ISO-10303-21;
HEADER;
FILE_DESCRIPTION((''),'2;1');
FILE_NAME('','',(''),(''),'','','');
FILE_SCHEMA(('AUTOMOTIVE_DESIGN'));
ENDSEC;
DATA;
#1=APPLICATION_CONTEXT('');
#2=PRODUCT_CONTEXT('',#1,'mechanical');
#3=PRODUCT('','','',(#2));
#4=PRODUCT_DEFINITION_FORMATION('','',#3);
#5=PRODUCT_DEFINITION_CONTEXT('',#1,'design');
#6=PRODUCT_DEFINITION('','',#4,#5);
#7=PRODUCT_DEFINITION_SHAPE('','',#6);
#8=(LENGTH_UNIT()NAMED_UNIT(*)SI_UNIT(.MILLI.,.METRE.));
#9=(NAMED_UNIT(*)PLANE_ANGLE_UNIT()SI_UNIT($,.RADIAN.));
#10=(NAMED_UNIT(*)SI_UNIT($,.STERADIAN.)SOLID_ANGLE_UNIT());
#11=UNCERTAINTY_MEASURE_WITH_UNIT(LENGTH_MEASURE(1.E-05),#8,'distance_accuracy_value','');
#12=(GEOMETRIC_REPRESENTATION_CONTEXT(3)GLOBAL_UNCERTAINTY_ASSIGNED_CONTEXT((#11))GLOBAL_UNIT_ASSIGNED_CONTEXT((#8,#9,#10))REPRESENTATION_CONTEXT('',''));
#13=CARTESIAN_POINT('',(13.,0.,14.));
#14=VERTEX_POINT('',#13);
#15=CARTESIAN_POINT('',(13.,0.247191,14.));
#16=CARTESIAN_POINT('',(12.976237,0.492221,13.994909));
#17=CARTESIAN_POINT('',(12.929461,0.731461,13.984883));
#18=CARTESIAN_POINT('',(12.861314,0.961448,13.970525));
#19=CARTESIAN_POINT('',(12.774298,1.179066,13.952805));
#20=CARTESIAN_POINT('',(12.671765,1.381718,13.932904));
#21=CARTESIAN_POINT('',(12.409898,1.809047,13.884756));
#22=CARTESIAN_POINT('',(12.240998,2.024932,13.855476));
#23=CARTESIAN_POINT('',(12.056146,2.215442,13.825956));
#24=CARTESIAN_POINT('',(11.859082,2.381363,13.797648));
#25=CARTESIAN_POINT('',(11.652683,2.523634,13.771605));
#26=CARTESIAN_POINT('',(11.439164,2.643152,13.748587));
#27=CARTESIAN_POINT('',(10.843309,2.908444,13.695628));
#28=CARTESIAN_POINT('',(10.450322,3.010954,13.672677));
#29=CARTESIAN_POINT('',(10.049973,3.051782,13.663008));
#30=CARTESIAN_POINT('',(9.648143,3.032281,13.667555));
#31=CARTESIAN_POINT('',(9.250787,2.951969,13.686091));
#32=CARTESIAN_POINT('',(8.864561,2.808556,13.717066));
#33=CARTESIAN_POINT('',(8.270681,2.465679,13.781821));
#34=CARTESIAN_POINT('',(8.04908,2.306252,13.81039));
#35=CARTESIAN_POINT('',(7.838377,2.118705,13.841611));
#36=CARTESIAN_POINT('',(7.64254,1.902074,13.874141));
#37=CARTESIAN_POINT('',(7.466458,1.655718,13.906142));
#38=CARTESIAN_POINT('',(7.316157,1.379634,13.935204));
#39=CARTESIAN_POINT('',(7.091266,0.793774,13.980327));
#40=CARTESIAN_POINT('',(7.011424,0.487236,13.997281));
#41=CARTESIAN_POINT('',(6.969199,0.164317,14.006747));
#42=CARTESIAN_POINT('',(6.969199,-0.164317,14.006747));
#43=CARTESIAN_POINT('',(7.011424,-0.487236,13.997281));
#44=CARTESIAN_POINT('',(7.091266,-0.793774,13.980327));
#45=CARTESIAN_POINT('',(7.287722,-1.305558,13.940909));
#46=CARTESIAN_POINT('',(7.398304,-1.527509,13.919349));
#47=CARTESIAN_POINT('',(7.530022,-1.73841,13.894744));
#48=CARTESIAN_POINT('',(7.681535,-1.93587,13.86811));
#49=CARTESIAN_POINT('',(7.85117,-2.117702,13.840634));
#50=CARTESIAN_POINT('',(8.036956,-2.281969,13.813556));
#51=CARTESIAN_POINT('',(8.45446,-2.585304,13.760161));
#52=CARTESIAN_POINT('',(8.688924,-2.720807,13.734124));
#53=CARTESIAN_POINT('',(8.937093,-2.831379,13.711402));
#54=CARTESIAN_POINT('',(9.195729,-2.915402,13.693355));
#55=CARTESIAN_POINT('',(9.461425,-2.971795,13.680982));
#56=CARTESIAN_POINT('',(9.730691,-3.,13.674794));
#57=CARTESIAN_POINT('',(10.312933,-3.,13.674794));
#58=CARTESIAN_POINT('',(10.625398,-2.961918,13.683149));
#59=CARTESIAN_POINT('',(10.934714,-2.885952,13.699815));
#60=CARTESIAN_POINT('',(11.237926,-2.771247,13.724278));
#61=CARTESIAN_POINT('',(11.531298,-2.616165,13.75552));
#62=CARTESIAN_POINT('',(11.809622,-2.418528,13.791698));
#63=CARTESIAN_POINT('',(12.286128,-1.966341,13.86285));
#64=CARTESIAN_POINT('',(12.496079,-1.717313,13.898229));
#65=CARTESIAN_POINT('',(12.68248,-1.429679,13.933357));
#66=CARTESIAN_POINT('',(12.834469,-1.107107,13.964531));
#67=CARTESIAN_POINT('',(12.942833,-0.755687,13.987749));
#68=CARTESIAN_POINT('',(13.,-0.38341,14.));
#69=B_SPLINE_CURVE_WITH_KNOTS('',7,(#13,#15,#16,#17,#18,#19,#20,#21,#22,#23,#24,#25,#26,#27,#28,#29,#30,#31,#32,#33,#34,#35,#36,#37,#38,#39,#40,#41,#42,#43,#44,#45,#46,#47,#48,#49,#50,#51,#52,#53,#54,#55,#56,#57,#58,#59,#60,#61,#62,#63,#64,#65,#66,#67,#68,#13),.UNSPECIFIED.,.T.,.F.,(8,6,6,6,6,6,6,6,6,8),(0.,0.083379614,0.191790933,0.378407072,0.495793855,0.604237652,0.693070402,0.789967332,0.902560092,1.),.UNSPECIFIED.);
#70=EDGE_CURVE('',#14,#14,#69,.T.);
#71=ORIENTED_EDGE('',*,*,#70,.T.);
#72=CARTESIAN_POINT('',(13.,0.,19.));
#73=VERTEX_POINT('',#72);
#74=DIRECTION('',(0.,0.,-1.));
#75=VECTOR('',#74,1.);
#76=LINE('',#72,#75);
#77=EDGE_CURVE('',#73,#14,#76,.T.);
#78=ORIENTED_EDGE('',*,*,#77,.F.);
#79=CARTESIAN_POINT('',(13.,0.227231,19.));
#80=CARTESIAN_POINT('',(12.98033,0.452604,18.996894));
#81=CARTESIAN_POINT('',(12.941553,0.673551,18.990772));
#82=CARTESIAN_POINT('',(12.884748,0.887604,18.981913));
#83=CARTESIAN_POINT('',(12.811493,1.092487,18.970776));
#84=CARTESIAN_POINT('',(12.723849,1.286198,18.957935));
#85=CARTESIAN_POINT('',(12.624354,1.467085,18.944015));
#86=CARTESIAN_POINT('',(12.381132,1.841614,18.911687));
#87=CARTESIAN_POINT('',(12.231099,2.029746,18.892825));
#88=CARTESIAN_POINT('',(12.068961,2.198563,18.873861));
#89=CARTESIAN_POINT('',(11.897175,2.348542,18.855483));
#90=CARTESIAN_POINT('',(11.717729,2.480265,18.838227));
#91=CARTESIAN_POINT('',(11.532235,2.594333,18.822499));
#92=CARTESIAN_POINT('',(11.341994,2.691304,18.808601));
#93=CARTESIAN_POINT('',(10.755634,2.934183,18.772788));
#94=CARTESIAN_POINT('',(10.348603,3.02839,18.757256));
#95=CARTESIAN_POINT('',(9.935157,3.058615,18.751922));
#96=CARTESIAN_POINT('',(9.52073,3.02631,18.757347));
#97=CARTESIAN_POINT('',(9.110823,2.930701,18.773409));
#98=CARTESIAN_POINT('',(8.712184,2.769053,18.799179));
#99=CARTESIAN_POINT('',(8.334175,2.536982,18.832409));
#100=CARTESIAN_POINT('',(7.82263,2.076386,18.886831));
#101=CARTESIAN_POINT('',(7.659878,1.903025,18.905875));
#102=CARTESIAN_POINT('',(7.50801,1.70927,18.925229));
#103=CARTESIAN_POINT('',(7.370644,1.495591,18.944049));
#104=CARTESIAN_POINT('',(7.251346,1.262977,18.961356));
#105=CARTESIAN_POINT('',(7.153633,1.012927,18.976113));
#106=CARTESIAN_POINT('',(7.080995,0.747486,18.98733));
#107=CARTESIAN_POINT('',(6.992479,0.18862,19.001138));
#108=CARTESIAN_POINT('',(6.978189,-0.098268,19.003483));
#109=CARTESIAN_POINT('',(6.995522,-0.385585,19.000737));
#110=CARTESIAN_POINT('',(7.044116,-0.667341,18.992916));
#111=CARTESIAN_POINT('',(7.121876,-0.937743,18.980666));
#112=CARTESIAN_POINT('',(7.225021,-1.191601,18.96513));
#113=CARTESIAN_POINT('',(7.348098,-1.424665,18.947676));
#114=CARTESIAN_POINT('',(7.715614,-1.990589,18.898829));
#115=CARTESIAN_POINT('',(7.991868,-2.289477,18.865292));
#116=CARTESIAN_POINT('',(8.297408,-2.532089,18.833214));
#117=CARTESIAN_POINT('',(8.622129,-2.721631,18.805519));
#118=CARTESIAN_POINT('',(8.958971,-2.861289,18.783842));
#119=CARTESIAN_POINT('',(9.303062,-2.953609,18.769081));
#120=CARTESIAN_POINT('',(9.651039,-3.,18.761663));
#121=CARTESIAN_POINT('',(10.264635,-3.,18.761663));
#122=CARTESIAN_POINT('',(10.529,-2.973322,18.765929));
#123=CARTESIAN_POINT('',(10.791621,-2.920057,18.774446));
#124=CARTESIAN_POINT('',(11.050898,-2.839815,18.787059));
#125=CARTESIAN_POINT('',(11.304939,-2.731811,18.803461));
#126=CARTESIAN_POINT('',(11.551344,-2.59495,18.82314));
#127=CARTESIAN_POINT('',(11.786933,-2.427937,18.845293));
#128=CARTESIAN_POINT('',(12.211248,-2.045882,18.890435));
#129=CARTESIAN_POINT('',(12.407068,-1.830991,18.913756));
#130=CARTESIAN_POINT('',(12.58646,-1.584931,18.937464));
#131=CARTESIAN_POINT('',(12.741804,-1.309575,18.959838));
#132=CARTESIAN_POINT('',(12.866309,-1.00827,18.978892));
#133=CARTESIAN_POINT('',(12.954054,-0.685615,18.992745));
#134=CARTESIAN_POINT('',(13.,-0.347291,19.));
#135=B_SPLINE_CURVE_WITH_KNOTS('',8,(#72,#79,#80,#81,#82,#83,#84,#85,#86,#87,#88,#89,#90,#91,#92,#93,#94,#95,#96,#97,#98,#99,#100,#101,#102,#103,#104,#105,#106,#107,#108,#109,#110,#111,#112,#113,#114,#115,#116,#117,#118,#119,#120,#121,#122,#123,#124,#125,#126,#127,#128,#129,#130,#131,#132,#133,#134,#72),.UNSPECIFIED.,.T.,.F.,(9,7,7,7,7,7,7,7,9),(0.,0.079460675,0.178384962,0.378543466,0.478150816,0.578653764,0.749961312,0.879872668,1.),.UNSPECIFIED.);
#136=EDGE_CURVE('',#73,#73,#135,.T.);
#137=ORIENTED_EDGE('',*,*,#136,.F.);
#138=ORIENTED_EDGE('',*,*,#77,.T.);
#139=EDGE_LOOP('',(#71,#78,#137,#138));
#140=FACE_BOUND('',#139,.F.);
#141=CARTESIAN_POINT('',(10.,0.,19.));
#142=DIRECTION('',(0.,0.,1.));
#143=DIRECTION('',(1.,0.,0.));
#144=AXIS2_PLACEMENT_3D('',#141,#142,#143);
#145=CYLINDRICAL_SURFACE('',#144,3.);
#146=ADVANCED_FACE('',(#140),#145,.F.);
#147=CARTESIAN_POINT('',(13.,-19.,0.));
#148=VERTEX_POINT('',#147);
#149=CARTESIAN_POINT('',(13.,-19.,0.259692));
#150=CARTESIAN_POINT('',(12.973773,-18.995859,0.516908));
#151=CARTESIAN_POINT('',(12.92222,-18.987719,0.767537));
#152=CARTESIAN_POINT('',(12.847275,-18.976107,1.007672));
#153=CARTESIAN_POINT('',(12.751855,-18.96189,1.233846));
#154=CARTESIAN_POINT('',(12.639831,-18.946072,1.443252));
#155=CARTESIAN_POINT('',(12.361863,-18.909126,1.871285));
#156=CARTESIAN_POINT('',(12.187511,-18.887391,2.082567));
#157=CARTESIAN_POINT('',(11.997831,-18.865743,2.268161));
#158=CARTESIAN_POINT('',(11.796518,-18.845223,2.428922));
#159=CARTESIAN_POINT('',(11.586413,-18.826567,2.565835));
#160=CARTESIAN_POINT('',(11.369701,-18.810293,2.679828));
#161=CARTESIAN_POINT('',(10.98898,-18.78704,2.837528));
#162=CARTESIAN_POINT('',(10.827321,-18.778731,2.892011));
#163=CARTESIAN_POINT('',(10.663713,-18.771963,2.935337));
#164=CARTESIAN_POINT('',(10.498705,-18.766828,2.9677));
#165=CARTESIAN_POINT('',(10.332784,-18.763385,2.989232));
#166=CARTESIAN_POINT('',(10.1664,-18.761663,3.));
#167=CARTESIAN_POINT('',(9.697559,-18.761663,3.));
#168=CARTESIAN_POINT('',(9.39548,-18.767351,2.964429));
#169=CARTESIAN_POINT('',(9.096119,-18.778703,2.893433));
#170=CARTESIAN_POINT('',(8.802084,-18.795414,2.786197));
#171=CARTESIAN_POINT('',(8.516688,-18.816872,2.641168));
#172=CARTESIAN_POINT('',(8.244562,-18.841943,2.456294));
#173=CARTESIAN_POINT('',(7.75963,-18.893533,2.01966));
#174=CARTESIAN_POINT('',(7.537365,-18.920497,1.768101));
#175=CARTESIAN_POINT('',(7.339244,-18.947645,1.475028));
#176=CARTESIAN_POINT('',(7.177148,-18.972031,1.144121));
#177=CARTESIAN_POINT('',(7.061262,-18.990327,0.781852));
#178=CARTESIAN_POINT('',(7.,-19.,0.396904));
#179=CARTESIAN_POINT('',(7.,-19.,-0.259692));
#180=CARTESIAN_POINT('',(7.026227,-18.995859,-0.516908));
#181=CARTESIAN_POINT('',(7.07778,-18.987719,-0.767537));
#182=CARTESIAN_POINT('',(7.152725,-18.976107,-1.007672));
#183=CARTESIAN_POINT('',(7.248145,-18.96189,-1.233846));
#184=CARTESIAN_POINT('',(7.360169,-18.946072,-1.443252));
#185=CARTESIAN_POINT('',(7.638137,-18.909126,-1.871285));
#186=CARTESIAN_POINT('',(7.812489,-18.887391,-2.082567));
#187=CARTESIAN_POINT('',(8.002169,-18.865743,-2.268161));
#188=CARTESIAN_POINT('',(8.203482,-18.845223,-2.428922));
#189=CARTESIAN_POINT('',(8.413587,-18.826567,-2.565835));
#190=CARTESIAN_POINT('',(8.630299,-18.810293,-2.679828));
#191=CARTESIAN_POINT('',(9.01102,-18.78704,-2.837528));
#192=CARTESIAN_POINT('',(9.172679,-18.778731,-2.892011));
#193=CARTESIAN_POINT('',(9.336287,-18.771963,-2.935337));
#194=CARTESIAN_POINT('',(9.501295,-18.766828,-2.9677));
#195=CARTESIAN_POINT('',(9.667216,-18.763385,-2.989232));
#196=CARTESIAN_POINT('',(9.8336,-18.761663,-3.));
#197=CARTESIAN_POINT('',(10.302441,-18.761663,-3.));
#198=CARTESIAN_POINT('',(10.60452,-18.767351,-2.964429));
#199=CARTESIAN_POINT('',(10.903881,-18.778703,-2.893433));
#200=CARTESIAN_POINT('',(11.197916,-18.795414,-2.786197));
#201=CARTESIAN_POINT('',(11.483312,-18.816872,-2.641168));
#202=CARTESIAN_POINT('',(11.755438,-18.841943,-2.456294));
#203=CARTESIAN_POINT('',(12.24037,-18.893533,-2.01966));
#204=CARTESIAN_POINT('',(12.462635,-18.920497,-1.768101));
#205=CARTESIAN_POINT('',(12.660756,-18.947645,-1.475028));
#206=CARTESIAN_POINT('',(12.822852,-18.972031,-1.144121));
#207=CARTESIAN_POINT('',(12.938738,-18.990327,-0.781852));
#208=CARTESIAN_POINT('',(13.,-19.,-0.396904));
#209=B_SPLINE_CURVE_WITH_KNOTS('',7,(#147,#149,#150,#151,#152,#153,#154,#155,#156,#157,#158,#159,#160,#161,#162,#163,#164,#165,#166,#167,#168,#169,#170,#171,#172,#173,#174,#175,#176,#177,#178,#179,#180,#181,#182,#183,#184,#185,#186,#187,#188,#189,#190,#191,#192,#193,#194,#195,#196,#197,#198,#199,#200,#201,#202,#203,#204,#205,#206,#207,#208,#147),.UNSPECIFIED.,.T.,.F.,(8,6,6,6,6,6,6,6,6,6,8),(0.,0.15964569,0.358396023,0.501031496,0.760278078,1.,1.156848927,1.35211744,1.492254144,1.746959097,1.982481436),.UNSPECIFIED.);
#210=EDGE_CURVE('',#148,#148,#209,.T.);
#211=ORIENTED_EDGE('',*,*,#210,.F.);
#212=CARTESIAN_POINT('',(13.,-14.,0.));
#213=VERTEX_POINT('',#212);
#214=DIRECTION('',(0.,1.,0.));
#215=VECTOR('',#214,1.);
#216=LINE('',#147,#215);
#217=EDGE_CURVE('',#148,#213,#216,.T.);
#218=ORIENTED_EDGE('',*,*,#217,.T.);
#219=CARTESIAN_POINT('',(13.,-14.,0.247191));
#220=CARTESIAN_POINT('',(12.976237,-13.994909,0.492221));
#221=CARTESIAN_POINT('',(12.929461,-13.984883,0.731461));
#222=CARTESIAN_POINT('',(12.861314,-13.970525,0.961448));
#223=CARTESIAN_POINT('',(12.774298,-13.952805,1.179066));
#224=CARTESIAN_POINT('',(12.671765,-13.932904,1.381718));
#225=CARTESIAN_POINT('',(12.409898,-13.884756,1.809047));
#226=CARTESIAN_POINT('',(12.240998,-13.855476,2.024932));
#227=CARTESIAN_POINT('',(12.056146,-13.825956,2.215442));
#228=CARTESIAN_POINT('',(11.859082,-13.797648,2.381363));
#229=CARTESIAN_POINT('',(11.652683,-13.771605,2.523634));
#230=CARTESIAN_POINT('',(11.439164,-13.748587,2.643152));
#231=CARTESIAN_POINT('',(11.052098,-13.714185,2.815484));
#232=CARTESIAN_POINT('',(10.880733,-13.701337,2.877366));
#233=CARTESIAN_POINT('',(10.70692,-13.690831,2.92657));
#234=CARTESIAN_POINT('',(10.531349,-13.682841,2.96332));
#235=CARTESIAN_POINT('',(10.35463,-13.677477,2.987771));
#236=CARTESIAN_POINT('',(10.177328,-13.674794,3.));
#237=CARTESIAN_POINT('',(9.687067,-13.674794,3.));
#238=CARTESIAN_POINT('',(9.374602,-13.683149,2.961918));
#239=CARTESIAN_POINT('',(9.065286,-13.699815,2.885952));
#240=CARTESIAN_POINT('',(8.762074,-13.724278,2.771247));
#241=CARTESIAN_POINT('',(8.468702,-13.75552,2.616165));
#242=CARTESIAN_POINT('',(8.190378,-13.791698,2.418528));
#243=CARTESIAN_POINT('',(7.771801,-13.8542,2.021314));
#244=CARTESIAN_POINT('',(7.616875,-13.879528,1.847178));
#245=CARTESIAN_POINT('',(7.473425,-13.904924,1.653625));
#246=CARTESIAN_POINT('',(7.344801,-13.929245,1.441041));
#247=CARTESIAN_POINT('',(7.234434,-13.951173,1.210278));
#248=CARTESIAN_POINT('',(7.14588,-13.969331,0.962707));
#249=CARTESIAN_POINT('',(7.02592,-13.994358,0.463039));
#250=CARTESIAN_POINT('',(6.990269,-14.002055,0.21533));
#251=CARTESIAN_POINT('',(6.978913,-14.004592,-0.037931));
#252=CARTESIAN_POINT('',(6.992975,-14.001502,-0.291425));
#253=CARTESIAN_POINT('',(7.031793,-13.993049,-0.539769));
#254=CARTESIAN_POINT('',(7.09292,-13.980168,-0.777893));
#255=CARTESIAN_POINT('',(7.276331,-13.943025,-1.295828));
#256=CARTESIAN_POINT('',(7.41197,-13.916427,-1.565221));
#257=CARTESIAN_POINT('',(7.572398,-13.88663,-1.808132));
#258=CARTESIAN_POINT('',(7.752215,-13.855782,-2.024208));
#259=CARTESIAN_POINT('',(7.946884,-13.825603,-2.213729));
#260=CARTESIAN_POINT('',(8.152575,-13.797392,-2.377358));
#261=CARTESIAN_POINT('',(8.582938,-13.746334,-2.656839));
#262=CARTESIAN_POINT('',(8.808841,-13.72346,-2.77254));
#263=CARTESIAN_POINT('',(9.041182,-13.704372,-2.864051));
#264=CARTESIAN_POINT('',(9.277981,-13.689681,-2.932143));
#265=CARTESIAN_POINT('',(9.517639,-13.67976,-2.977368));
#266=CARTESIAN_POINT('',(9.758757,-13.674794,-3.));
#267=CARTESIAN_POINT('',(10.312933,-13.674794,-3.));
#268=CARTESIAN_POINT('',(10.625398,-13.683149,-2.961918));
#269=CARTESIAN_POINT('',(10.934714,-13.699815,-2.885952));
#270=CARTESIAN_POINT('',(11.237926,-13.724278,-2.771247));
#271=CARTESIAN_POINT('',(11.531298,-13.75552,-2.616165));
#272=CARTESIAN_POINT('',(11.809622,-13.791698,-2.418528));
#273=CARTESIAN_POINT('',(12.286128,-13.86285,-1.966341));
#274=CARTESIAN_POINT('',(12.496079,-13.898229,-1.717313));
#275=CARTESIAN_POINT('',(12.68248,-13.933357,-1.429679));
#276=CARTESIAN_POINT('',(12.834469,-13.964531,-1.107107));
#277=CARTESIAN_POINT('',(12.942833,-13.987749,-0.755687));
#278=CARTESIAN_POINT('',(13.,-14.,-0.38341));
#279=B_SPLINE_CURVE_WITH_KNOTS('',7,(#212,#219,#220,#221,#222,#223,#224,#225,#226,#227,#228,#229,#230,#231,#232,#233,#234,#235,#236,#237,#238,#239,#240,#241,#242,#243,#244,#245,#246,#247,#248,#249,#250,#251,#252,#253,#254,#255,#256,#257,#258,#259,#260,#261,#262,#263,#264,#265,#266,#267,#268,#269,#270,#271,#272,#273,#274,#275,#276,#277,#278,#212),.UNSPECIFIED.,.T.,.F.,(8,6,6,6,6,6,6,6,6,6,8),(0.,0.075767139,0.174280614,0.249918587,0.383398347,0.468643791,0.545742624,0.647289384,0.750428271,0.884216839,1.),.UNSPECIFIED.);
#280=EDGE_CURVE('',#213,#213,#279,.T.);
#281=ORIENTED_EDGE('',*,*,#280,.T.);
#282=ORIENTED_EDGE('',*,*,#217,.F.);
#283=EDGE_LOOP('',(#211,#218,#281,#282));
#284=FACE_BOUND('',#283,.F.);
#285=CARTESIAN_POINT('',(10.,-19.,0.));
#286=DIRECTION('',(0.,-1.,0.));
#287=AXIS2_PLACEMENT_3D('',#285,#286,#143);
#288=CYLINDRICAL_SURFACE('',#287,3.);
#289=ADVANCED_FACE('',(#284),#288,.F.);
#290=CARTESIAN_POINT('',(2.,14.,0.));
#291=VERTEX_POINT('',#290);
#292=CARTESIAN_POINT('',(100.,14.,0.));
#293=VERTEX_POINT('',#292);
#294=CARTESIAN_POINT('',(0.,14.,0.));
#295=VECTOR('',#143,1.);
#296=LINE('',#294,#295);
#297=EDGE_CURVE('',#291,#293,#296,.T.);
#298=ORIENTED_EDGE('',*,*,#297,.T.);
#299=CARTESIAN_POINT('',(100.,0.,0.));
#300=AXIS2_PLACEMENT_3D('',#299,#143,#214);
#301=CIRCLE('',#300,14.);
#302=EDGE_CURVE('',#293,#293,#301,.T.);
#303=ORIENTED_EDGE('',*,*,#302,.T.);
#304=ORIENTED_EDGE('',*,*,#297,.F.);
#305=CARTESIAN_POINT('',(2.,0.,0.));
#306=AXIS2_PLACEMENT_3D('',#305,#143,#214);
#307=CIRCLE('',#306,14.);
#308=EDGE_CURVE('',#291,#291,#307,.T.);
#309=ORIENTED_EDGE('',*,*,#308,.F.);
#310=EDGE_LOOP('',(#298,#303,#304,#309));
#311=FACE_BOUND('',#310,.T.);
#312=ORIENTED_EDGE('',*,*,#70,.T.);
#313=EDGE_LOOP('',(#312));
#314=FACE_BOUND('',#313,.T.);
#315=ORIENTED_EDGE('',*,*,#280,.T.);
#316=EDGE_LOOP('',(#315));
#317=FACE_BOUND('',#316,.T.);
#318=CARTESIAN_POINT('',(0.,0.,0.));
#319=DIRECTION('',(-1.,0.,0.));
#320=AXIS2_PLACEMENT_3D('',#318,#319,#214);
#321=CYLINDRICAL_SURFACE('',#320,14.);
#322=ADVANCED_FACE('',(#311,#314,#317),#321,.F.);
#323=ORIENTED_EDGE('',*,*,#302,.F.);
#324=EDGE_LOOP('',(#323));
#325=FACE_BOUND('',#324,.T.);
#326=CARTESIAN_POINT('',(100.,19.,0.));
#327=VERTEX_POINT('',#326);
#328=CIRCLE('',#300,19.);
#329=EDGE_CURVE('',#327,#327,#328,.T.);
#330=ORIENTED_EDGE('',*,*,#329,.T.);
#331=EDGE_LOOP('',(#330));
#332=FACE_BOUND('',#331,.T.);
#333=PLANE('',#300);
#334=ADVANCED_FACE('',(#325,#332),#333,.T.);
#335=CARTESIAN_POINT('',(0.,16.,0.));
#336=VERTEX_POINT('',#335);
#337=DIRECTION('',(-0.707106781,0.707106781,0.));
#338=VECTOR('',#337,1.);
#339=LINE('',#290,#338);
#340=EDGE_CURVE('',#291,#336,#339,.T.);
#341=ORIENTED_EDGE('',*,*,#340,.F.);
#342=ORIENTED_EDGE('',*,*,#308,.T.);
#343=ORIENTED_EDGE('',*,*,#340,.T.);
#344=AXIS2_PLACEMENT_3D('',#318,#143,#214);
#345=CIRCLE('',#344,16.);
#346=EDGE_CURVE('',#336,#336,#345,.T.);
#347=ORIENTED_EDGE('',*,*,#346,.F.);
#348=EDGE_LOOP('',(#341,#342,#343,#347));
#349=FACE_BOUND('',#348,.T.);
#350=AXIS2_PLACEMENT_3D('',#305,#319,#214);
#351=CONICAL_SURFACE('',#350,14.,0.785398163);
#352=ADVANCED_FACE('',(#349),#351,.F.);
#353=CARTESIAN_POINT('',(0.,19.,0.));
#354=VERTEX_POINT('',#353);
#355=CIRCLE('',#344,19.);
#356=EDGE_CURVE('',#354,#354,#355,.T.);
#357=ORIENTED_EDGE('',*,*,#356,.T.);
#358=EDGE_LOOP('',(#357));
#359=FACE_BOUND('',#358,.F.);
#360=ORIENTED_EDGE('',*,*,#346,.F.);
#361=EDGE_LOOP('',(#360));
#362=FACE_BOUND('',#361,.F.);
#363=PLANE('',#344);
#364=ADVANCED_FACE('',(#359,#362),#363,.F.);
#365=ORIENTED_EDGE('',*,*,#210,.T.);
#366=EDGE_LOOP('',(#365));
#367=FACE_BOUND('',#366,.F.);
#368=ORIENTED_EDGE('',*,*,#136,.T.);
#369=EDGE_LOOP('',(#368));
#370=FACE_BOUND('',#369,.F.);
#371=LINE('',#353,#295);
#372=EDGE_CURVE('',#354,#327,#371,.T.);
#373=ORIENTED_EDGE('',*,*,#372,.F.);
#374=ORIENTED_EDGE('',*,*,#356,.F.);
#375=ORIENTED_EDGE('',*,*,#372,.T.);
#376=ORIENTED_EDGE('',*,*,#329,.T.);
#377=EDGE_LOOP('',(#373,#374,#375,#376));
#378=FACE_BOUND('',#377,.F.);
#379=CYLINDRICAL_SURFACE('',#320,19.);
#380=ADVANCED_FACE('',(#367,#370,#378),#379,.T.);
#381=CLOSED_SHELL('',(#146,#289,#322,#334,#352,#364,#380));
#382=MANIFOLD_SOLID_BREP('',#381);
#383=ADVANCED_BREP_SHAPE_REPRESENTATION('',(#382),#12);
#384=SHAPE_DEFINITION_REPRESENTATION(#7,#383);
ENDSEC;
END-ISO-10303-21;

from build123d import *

# Parameters (mm, degrees)
F0_R     = 19
F0_R_2   = 14
F1_DEPTH = 100
F2_SIZE2 = 2
F2_SIZE  = 2
F5_R     = 3
F6_DEPTH = 5.3262057688
F7_R     = 3
F8_DEPTH = 5.3262057688


with BuildPart() as f1:
    # F0 (on Right) → F1 (new body)
    with BuildSketch(Plane.YZ):
        Circle(F0_R)
        Circle(F0_R_2, mode=Mode.SUBTRACT)
    extrude(amount=F1_DEPTH)

    # F2
    f2_edges = [f1.edges().sort_by_distance(p)[0] for p in [
        (0, -14, 0),
    ]]
    chamfer(f2_edges, length=F2_SIZE, length2=F2_SIZE2)

    # F5 (on offset) → F6 (cut, through all)
    with BuildSketch(Plane.XY.offset(19)):
        with Locations((10, 0)):
            Circle(F5_R)
    extrude(amount=-F6_DEPTH, mode=Mode.SUBTRACT)

    # F7 (on offset) → F8 (cut, through all)
    with BuildSketch(Plane.XZ.offset(19)):
        with Locations((10, 0)):
            Circle(F7_R)
    extrude(amount=-F8_DEPTH, mode=Mode.SUBTRACT)


solid = f1.part
